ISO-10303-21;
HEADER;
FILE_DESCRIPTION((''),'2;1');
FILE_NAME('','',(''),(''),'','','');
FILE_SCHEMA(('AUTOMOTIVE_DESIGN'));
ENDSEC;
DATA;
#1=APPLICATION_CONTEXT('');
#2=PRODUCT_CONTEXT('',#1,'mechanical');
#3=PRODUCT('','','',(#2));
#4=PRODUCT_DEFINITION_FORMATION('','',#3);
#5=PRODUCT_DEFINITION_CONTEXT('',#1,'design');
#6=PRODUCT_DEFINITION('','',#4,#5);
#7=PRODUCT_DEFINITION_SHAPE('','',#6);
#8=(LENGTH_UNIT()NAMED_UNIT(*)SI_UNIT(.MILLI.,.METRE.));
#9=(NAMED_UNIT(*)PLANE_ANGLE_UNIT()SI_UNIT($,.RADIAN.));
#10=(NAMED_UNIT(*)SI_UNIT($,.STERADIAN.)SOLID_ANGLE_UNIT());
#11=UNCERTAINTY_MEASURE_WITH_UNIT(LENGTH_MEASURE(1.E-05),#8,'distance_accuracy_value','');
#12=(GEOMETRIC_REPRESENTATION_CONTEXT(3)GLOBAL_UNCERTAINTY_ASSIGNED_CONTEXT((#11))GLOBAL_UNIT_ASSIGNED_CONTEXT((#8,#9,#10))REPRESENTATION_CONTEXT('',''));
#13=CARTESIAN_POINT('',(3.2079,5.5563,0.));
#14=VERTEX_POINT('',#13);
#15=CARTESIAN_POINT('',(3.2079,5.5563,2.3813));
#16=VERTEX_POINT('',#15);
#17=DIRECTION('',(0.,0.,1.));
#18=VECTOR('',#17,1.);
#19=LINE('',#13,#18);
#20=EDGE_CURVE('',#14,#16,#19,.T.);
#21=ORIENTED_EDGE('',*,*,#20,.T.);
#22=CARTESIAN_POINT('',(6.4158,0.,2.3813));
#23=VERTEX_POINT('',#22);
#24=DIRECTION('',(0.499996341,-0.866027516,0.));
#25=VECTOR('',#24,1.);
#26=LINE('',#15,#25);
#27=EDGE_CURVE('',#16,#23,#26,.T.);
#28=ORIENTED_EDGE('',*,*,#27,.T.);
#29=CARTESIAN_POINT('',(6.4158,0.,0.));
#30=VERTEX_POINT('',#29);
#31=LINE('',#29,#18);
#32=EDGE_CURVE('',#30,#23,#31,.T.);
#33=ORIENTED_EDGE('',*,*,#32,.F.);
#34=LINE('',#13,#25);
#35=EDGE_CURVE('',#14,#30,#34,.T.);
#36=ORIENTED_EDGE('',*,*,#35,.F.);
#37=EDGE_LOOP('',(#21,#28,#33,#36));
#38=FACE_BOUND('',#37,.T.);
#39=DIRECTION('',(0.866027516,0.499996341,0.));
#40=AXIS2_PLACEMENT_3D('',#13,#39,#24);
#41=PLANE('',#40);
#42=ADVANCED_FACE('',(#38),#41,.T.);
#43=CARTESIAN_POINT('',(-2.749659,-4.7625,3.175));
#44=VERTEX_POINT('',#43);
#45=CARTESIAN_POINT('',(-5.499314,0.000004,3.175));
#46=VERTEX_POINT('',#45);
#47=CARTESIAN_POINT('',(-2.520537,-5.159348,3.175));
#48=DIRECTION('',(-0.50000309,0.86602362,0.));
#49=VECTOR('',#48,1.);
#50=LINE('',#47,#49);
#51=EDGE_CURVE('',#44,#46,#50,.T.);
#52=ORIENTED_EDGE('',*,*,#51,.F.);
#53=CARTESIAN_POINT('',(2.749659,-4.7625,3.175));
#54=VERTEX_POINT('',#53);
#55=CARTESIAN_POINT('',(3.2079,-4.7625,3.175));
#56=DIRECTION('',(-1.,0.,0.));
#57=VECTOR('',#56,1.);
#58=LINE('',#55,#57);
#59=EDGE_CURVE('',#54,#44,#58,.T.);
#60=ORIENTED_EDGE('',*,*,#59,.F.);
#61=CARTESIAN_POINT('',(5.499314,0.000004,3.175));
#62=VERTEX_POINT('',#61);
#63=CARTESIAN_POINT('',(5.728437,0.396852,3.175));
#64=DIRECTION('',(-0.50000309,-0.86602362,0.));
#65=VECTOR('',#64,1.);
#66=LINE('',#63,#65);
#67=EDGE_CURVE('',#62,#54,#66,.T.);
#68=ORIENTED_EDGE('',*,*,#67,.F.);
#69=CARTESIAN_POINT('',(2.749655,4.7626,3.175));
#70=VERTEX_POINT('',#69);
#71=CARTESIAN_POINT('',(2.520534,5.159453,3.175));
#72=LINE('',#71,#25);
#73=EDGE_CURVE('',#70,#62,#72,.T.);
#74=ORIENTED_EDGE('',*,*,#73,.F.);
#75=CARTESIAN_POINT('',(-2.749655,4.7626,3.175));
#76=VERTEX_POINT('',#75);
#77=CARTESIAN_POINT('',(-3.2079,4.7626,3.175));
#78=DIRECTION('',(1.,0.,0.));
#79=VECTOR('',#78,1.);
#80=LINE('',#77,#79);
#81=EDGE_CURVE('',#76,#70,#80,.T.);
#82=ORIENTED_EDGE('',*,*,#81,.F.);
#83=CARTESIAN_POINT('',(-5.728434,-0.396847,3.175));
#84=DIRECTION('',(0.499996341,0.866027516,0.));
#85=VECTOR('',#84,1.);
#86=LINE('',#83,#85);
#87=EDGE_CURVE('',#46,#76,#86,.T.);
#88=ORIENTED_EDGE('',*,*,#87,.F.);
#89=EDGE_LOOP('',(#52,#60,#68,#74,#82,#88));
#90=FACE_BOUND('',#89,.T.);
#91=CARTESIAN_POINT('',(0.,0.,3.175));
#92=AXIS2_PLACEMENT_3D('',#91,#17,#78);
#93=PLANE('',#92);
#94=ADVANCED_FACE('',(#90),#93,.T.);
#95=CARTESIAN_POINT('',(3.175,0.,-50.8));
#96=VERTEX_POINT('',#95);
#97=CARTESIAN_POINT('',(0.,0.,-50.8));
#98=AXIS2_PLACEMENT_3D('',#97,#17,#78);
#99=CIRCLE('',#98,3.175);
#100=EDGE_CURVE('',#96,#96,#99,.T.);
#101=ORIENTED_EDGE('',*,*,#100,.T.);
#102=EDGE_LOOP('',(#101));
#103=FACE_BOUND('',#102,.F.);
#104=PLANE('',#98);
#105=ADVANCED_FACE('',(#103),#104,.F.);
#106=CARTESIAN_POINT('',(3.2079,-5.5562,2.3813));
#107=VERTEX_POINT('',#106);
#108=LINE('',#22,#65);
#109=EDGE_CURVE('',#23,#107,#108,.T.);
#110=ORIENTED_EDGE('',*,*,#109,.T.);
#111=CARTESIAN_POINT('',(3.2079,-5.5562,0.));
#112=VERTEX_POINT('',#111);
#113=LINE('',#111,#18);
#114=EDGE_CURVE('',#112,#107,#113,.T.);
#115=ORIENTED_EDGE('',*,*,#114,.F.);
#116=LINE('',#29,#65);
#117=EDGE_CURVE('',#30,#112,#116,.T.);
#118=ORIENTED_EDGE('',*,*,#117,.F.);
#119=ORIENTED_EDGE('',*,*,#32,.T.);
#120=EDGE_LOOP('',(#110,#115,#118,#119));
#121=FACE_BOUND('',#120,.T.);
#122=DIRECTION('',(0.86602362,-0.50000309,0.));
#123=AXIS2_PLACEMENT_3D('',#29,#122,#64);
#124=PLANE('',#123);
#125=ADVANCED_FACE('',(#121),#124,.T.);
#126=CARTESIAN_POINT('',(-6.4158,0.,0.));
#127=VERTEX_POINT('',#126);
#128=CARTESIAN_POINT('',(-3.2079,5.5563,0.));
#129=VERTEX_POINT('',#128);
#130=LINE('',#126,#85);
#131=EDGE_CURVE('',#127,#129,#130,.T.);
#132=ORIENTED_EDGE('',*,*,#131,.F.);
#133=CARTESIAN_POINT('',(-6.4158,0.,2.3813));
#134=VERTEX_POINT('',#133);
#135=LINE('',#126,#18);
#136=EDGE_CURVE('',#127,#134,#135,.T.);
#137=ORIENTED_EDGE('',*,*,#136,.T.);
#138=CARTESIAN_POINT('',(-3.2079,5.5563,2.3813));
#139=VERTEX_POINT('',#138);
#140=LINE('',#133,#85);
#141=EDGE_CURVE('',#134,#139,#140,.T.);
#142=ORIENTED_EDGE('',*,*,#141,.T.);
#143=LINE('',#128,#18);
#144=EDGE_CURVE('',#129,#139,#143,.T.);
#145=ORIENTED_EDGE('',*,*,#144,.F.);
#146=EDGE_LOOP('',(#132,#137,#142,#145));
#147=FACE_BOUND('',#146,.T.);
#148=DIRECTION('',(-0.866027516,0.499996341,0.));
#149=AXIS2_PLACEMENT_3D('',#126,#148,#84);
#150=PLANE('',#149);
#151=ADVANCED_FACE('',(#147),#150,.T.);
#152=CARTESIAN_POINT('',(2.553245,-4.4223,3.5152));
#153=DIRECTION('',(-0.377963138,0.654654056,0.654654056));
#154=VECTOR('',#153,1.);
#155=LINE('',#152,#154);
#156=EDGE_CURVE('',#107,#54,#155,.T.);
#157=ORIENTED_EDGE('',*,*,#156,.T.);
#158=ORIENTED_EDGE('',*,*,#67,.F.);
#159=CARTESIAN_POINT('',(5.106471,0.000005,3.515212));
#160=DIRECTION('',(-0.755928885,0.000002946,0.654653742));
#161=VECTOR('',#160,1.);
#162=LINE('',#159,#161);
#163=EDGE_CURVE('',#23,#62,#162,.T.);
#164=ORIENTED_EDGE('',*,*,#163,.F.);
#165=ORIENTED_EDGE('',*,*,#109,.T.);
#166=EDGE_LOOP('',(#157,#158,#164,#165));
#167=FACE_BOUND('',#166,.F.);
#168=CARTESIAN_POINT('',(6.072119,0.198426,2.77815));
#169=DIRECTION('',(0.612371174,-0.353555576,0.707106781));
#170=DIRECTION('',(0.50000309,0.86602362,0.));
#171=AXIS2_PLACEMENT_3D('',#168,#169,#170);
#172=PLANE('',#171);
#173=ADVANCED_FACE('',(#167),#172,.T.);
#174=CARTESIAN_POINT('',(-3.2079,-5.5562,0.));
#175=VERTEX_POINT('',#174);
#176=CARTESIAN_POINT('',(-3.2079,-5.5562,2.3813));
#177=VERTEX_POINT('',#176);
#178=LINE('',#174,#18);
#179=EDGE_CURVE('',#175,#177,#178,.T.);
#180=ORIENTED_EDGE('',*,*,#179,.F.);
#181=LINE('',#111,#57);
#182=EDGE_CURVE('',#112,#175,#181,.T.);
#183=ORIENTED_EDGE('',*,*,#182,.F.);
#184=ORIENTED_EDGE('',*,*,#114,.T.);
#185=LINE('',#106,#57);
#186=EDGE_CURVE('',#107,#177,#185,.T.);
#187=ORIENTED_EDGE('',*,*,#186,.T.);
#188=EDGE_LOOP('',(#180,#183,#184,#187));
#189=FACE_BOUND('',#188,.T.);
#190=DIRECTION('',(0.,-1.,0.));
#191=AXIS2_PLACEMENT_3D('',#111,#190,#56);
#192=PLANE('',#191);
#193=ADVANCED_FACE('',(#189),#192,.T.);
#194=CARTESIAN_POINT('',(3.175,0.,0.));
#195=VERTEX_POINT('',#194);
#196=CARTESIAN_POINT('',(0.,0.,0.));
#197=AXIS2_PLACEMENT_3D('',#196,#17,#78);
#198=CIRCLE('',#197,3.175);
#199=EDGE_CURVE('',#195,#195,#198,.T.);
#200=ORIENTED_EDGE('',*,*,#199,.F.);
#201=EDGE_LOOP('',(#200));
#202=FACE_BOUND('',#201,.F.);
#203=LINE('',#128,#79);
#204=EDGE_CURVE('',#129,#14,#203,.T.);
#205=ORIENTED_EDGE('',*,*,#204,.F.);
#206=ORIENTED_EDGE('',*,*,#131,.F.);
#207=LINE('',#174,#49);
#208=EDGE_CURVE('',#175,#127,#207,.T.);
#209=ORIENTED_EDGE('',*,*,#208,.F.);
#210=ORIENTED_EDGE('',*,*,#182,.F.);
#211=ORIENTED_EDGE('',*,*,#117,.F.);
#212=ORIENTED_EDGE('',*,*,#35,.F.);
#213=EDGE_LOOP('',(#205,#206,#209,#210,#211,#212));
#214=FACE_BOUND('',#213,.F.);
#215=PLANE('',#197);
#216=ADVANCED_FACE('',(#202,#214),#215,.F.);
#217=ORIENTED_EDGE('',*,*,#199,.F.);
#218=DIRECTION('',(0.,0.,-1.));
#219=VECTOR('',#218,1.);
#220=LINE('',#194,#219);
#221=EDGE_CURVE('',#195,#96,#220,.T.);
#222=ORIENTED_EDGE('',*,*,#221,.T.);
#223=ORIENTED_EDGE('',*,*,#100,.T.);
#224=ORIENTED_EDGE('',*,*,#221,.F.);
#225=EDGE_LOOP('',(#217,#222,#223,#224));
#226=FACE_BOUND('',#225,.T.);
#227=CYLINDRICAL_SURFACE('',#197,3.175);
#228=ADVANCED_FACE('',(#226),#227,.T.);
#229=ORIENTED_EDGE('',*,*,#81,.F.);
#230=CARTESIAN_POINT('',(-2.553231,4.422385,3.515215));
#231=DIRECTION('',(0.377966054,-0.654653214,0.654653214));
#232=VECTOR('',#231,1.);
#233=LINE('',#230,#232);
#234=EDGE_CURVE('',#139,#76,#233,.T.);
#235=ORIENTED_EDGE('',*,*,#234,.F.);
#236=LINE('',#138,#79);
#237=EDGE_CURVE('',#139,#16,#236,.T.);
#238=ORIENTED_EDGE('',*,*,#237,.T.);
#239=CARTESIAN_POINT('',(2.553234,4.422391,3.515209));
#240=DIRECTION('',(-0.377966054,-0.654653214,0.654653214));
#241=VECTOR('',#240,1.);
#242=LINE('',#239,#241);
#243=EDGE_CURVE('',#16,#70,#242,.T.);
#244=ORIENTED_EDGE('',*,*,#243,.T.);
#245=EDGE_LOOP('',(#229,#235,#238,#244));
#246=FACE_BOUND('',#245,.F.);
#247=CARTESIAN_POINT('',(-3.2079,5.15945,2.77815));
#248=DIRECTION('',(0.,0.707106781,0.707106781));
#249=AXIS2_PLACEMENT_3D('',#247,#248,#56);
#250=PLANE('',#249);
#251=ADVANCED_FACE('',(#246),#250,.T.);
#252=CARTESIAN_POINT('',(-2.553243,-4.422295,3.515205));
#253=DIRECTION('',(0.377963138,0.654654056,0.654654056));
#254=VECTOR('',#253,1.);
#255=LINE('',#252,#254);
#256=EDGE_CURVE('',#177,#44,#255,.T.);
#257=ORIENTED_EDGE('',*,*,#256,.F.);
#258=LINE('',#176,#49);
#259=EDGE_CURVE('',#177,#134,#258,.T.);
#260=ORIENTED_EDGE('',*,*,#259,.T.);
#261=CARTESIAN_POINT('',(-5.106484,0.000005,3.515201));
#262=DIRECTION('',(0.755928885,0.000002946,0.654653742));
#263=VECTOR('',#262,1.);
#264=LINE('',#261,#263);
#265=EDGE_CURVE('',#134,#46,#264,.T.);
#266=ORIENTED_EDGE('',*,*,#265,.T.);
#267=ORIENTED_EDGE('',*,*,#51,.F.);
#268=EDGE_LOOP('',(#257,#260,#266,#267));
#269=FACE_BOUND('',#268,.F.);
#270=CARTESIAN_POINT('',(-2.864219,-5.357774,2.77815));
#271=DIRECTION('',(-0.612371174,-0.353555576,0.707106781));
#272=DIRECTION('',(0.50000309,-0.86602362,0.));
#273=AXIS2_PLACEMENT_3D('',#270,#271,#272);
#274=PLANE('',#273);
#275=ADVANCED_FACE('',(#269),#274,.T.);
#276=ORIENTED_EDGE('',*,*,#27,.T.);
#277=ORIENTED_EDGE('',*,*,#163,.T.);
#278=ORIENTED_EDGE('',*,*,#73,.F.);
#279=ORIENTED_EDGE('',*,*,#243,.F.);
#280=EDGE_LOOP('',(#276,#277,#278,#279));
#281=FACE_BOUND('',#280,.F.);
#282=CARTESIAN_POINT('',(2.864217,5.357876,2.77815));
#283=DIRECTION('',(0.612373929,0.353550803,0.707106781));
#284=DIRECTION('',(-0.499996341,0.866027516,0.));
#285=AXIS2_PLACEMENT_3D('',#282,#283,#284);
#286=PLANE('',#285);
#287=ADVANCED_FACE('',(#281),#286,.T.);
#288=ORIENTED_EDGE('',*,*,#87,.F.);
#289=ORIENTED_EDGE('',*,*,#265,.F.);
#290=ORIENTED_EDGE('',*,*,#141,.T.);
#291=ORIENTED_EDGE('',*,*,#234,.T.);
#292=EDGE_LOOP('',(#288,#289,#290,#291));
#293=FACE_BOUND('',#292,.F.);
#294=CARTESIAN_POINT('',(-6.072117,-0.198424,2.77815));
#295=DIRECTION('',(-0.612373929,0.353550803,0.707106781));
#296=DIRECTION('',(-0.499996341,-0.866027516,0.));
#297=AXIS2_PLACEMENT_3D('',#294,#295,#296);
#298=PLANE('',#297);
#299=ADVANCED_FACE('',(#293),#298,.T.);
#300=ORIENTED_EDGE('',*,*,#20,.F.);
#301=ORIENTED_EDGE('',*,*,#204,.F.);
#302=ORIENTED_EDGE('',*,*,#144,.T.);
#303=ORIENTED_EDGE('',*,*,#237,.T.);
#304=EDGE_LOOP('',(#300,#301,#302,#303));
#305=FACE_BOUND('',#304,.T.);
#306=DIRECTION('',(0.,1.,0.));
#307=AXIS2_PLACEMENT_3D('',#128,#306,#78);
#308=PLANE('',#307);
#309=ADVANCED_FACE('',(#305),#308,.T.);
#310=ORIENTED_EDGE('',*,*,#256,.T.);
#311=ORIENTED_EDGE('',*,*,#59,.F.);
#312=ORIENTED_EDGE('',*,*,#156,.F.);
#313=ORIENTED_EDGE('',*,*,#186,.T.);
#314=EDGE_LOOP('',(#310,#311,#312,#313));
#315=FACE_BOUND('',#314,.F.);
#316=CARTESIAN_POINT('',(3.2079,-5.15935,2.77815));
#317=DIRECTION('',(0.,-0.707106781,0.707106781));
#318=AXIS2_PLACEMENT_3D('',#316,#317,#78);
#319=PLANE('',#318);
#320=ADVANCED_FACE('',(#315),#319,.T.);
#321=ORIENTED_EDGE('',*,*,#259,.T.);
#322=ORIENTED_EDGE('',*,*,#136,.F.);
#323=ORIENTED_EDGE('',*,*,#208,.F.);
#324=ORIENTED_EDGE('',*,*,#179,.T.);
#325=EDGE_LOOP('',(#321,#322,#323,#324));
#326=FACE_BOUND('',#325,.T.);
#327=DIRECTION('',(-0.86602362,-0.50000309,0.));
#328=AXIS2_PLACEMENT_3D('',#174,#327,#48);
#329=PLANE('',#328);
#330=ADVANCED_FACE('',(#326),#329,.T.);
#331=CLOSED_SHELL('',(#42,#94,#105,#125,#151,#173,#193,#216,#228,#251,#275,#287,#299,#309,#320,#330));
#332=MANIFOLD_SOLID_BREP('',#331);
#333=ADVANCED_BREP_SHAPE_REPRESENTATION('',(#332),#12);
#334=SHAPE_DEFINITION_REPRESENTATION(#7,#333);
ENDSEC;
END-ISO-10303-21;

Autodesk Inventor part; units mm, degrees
ref_plane "YZ Plane" through (0, 0, 0) normal (1, 0, 0) x (0, 1, 0)
ref_plane "XZ Plane" through (0, 0, 0) normal (0, 1, 0) x (-1, 0, 0)
ref_plane "XY Plane" through (0, 0, 0) normal (0, 0, 1) x (1, 0, 0)
sketch "Sketch1" plane through (0, 0, 0) normal (0, 0, 1) x (1, 0, 0)
  circle A0 centre (0, 0) radius 3.175
  line L0 (3.2079, 5.5563) -> (6.4158, 0)
  line L1 (6.4158, 0) -> (3.2079, -5.5562)
  line L2 (3.2079, -5.5562) -> (-3.2079, -5.5562)
  line L3 (-3.2079, -5.5562) -> (-6.4158, 0)
  line L4 (-6.4158, 0) -> (-3.2079, 5.5563)
  line L5 (-3.2079, 5.5563) -> (3.2079, 5.5563)
  dimension "d0" = 6.35
  dimension "d1" = 11.1125
extrude "Extrusion1" add sketch "Sketch1" against normal blind 50.8 contours A0
extrude "Extrusion2" add sketch "Sketch1" along normal blind 3.175 contours A0 | L0 L1 L2 L3 L4 L5
thread "Thread1" size "1/4-20 UNC" class "2A" standard "ANSI Unified Screw Threads" full length
chamfer "Chamfer1" distance 0.7937 angle 45 6 edges at (4.8119, 2.7781, 3.175) (0, 5.5563, 3.175) (-4.8119, 2.7781, 3.175) (-4.8119, -2.7781, 3.175) (0, -5.5562, 3.175) (4.8119, -2.7781, 3.175)
properties part number "2_bolt_.25_20"
